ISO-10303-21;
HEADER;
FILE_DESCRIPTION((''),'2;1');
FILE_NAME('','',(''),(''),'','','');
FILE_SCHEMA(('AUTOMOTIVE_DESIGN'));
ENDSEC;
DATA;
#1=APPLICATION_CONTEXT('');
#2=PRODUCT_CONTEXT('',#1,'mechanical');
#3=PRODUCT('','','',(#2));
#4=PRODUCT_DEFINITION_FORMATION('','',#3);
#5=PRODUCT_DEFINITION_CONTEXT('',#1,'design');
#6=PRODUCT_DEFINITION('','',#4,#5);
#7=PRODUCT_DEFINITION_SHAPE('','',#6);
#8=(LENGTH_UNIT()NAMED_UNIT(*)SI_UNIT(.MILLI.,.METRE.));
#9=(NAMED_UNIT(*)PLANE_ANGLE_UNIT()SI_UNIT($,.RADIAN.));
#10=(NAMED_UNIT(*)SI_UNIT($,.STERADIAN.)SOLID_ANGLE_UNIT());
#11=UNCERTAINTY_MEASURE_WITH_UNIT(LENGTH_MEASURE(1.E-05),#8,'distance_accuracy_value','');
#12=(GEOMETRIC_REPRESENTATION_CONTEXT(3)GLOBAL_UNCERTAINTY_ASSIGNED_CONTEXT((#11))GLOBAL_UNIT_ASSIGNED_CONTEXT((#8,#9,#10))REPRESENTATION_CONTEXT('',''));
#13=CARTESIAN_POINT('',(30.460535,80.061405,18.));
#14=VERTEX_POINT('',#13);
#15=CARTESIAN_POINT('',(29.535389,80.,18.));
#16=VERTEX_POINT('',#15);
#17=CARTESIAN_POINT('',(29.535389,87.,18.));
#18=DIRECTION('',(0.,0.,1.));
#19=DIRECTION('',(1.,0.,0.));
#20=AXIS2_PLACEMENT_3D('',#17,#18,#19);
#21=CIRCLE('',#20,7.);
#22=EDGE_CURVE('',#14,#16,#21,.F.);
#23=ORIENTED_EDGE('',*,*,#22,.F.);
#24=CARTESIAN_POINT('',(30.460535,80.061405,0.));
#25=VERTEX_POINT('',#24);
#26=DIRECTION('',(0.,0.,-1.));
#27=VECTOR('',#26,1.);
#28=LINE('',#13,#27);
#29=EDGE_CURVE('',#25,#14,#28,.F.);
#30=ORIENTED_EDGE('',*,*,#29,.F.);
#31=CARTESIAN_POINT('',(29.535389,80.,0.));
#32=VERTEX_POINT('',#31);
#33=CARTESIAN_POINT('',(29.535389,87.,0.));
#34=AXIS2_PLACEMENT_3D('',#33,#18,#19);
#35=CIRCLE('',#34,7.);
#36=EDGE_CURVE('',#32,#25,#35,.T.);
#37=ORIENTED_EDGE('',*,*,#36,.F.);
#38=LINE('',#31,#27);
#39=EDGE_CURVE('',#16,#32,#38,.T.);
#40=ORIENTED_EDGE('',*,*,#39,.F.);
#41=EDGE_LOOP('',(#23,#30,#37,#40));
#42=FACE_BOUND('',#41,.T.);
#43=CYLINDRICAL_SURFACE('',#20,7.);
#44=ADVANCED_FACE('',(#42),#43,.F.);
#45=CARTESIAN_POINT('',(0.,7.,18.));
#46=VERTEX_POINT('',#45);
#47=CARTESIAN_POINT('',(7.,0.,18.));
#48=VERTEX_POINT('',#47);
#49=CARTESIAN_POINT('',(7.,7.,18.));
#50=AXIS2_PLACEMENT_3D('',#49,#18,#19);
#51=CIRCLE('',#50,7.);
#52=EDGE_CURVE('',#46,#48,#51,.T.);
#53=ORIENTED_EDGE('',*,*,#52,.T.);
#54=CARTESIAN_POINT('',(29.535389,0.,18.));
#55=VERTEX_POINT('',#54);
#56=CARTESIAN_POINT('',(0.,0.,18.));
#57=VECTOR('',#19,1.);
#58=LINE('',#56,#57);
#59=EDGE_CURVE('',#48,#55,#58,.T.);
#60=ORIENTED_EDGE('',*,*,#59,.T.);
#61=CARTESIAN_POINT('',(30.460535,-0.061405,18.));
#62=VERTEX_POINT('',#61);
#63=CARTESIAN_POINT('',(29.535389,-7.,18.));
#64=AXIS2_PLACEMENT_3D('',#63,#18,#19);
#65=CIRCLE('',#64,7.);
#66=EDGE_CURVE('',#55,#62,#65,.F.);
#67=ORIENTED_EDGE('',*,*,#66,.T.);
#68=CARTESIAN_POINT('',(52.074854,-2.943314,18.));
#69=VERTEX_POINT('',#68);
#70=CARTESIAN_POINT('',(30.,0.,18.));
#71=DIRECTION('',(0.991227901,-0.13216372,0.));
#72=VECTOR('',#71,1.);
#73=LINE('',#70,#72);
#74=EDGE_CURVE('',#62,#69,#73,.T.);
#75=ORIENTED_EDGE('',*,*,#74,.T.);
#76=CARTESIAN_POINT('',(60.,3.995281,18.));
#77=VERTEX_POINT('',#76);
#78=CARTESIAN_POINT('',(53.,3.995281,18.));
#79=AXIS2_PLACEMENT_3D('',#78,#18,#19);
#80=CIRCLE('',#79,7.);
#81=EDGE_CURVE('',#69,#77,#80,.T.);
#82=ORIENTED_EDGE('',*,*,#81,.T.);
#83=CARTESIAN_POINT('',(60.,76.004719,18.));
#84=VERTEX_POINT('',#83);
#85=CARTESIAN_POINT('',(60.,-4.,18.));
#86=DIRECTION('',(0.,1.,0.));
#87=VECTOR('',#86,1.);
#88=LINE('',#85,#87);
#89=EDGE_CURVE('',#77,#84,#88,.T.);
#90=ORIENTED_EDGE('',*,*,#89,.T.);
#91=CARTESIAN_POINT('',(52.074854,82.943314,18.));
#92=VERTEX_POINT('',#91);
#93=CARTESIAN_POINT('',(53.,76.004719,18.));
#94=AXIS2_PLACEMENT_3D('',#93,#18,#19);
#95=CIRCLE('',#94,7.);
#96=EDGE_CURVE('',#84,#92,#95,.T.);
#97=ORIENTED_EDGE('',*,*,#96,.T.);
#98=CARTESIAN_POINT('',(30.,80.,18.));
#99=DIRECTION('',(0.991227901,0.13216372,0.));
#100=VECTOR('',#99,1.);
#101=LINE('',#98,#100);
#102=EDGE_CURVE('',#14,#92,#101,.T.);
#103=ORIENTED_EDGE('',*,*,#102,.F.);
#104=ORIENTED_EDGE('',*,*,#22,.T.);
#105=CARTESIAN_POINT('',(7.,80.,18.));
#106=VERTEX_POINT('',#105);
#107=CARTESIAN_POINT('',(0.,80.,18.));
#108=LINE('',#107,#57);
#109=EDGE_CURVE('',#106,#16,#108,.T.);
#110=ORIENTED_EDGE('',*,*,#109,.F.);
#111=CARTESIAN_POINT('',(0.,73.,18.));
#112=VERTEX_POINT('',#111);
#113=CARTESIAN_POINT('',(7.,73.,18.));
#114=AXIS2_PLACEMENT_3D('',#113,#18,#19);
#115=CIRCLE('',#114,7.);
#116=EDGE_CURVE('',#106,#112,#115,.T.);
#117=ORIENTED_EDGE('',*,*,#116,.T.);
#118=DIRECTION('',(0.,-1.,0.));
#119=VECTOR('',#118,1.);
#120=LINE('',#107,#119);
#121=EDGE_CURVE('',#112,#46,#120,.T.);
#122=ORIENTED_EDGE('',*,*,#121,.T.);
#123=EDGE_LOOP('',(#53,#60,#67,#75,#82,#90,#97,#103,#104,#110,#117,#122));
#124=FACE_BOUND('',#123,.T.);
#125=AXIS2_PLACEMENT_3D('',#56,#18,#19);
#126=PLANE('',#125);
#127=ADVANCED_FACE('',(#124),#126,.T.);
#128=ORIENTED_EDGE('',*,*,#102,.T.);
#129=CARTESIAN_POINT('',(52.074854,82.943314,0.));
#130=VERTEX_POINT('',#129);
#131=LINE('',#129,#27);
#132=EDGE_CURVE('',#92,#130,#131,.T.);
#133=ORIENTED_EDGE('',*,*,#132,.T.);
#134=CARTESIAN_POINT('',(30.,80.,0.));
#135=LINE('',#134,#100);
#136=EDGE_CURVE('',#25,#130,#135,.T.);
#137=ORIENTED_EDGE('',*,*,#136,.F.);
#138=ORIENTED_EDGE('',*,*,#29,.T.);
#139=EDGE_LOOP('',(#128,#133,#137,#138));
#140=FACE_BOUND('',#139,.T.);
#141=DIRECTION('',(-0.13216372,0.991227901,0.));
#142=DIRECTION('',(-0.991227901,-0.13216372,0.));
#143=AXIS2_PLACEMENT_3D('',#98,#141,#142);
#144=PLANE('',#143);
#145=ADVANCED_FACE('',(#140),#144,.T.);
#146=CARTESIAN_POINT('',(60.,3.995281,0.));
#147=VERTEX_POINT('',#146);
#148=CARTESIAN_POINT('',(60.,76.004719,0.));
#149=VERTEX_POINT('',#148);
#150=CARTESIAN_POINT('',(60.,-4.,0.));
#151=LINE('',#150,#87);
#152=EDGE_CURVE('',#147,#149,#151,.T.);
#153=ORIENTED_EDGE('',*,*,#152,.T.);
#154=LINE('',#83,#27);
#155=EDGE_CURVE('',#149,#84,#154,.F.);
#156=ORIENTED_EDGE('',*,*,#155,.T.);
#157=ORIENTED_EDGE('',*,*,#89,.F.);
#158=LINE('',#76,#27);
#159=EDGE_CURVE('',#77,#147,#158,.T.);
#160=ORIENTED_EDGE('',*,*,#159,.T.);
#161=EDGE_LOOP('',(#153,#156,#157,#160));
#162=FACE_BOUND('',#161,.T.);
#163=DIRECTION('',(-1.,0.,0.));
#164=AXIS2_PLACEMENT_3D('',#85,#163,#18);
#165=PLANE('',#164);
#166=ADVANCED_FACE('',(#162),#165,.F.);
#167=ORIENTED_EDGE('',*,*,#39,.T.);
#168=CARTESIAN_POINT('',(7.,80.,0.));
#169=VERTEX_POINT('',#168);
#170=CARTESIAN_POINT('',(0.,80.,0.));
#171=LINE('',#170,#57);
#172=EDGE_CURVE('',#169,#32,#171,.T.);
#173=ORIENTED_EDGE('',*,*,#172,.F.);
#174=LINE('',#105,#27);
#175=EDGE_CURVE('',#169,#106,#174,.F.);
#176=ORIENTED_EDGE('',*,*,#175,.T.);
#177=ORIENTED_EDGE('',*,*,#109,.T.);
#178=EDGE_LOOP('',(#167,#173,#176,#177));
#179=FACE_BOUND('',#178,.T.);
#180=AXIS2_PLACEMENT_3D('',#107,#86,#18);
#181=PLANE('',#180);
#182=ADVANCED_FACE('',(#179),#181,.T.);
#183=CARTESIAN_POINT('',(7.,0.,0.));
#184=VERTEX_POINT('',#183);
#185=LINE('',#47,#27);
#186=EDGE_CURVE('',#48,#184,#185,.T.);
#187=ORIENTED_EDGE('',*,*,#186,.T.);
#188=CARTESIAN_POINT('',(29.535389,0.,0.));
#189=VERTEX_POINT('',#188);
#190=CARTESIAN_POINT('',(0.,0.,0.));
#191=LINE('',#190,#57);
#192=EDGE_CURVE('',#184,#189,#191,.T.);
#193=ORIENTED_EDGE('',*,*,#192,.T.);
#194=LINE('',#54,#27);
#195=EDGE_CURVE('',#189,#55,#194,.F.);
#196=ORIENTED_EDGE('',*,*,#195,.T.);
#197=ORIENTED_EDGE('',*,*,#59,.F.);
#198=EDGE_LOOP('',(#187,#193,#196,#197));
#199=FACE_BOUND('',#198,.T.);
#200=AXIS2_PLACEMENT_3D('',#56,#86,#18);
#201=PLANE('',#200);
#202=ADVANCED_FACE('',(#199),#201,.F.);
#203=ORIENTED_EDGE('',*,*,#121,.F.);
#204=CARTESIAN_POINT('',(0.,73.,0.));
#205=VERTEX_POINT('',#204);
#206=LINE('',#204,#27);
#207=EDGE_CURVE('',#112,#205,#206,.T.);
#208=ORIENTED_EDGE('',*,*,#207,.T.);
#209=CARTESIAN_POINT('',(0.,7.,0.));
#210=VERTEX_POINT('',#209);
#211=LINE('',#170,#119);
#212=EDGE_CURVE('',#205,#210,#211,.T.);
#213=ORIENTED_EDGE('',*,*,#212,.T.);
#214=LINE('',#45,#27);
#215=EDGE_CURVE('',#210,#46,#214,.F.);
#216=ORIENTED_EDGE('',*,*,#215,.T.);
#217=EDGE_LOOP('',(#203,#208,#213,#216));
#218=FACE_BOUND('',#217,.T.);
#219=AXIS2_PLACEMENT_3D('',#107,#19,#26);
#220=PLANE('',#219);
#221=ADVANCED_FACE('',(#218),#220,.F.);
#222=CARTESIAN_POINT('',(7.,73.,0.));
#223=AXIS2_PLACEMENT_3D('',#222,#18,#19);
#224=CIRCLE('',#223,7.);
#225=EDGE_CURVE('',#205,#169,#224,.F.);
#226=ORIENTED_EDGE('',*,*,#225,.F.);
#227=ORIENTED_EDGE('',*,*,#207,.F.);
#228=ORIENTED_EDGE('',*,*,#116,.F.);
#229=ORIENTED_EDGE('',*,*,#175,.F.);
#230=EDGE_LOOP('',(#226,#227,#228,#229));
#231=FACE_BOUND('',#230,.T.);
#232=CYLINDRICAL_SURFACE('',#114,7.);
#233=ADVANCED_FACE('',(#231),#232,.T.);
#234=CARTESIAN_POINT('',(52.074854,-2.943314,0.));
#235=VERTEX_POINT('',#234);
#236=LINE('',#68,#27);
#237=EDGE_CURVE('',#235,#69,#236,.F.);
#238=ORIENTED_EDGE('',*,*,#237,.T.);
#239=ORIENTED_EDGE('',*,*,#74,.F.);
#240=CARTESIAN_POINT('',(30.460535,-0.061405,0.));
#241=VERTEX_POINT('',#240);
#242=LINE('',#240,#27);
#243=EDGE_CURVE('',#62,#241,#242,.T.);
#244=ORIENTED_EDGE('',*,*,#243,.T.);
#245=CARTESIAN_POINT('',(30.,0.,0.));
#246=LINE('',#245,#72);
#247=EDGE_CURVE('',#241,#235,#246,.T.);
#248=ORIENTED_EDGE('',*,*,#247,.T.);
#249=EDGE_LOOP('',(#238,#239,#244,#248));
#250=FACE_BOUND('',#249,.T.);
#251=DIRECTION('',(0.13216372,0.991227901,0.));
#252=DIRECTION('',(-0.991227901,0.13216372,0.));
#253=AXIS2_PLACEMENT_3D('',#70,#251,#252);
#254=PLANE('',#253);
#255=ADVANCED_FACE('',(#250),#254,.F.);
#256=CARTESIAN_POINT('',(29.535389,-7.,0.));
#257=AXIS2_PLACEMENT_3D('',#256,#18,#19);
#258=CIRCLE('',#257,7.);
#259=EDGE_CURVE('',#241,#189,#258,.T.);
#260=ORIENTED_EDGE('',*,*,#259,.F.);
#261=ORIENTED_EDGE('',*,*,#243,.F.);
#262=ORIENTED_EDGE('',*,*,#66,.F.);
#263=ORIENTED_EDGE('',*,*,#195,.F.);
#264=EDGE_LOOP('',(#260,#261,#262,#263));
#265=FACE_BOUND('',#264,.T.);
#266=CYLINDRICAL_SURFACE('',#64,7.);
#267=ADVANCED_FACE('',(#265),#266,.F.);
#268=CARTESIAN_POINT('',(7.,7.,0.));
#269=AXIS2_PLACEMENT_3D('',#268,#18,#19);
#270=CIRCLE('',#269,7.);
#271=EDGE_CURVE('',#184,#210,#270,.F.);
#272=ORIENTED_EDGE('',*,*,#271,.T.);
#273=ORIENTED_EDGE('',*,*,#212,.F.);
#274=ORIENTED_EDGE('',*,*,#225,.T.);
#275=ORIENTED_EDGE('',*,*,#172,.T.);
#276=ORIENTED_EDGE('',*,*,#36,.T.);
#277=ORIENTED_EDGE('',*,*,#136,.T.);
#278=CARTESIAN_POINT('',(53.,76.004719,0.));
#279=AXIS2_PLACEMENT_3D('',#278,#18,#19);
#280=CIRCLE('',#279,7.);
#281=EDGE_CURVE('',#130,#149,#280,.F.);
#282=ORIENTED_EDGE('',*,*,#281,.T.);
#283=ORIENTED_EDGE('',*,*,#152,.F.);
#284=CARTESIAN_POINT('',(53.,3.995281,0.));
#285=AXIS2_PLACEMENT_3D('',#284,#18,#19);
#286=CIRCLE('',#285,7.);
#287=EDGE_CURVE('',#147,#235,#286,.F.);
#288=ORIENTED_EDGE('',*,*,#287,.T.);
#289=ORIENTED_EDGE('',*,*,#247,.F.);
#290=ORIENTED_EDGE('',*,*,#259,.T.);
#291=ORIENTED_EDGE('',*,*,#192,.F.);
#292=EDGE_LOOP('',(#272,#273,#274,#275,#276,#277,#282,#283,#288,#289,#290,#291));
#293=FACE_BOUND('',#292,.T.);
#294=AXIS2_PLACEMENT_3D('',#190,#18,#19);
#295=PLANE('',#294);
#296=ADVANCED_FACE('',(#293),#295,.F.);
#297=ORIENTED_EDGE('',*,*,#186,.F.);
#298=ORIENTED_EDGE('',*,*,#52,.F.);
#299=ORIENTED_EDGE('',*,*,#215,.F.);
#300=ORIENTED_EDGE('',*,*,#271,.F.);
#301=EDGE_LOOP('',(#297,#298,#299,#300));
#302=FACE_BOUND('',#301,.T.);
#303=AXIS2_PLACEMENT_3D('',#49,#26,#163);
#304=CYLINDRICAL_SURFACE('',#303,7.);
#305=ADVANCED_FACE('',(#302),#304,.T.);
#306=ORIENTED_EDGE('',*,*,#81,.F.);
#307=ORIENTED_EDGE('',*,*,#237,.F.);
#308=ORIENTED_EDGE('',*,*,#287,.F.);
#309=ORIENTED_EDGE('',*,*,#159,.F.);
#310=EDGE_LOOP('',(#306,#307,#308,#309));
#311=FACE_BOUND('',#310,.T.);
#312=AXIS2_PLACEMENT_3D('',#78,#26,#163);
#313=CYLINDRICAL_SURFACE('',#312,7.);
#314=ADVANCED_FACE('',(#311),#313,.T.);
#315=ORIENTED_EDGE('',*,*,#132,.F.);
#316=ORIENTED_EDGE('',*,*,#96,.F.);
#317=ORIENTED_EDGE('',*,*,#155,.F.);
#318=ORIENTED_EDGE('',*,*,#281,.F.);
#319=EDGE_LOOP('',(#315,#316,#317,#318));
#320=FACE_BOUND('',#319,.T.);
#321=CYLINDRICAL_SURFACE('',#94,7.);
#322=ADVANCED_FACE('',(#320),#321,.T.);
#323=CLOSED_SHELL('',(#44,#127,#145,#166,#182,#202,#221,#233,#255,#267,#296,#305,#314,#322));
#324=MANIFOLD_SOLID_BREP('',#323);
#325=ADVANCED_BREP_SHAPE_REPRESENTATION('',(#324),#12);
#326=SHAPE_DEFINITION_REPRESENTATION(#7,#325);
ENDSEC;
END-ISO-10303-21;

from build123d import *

# Parameters (mm, degrees)
BOSS_EXTRUDE1_DEPTH = 18
FILLET1_R           = 7


with BuildPart() as part:
    # Sketch1 → Boss-Extrude1 (new body)
    with BuildSketch(Plane.XY):
        Polygon((0, 80), (0, 0), (30, 0), (60, -4), (60, 84), (30, 80), align=None)
    extrude(amount=BOSS_EXTRUDE1_DEPTH)

    # Fillet1
    fillet1_edges = [part.edges().sort_by_distance(p)[0] for p in [
        (0, 80, 9),
        (30, 80, 9),
        (60, 84, 9),
        (60, -4, 9),
        (30, 0, 9),
        (0, 0, 9),
    ]]
    fillet(fillet1_edges, radius=FILLET1_R)


solid = part.part
